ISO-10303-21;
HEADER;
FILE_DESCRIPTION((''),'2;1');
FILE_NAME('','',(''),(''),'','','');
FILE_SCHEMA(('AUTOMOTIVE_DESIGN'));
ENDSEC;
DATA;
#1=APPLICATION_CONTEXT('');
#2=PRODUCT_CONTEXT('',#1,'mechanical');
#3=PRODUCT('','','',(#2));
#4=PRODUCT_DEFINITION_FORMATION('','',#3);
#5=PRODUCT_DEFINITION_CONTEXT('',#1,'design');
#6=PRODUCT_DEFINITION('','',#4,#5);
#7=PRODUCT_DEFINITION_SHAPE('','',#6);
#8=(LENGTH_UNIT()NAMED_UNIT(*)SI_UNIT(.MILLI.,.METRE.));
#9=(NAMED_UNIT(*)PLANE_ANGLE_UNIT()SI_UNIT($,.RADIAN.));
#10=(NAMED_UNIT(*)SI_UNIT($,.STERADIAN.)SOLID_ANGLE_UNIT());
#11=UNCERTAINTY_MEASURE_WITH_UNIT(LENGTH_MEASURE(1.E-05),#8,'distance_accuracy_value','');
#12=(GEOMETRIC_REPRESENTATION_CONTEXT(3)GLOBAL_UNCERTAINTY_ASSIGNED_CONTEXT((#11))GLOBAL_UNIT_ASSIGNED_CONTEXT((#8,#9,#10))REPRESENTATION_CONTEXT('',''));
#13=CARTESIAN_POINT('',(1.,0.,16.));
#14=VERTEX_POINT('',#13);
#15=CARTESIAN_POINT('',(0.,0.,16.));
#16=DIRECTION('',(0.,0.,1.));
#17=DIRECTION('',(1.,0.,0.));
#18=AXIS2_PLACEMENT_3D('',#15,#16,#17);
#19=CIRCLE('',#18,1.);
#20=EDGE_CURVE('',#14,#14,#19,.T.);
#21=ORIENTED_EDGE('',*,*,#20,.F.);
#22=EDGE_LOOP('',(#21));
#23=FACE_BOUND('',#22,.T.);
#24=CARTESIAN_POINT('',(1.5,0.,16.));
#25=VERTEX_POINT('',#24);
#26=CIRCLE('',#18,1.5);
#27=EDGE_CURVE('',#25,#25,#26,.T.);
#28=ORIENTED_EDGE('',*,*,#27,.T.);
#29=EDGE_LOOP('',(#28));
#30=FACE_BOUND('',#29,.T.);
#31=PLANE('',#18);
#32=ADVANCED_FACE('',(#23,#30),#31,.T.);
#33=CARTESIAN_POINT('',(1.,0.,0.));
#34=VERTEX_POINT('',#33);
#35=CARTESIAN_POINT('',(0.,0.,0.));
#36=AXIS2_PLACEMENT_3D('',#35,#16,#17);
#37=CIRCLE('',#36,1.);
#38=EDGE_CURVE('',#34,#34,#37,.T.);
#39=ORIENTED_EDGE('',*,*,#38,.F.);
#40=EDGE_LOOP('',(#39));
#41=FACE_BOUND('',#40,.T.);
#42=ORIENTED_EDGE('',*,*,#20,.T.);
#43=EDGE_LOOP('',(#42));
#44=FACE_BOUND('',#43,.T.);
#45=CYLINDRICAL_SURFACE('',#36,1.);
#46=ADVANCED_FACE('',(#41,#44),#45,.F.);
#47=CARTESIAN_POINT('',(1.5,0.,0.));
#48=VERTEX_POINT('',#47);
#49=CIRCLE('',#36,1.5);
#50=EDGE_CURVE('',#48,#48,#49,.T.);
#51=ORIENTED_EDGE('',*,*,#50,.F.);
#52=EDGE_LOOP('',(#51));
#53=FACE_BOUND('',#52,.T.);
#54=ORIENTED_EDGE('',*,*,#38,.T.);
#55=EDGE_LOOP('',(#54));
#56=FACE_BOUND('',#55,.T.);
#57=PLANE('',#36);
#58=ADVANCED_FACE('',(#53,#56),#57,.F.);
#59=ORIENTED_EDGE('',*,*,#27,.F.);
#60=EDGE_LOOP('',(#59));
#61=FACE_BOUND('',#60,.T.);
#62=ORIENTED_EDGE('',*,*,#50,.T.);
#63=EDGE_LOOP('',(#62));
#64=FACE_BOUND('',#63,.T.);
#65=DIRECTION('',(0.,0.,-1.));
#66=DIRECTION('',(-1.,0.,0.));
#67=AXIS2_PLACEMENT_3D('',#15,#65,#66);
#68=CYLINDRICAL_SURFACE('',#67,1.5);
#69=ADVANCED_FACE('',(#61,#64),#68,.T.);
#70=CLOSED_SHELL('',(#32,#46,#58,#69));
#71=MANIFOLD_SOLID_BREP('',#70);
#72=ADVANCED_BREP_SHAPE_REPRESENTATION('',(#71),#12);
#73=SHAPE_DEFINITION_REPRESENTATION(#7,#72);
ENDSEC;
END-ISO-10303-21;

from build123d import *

# Parameters (mm, degrees)
SKETCH_1_R          = 1.5
EXTRUDE_1_DEPTH     = 16
SKETCH_2_R          = 1
CUT_EXTRUDE_1_DEPTH = 16


with BuildPart() as part:
    # 草图1 → 凸台-拉伸1 (new body)
    with BuildSketch(Plane.XY):
        Circle(SKETCH_1_R)
    extrude(amount=EXTRUDE_1_DEPTH)

    # 草图2 → 切除-拉伸1 (cut)
    with BuildSketch(Plane.XY.offset(16)):
        Circle(SKETCH_2_R)
    extrude(amount=-CUT_EXTRUDE_1_DEPTH, mode=Mode.SUBTRACT)


solid = part.part
